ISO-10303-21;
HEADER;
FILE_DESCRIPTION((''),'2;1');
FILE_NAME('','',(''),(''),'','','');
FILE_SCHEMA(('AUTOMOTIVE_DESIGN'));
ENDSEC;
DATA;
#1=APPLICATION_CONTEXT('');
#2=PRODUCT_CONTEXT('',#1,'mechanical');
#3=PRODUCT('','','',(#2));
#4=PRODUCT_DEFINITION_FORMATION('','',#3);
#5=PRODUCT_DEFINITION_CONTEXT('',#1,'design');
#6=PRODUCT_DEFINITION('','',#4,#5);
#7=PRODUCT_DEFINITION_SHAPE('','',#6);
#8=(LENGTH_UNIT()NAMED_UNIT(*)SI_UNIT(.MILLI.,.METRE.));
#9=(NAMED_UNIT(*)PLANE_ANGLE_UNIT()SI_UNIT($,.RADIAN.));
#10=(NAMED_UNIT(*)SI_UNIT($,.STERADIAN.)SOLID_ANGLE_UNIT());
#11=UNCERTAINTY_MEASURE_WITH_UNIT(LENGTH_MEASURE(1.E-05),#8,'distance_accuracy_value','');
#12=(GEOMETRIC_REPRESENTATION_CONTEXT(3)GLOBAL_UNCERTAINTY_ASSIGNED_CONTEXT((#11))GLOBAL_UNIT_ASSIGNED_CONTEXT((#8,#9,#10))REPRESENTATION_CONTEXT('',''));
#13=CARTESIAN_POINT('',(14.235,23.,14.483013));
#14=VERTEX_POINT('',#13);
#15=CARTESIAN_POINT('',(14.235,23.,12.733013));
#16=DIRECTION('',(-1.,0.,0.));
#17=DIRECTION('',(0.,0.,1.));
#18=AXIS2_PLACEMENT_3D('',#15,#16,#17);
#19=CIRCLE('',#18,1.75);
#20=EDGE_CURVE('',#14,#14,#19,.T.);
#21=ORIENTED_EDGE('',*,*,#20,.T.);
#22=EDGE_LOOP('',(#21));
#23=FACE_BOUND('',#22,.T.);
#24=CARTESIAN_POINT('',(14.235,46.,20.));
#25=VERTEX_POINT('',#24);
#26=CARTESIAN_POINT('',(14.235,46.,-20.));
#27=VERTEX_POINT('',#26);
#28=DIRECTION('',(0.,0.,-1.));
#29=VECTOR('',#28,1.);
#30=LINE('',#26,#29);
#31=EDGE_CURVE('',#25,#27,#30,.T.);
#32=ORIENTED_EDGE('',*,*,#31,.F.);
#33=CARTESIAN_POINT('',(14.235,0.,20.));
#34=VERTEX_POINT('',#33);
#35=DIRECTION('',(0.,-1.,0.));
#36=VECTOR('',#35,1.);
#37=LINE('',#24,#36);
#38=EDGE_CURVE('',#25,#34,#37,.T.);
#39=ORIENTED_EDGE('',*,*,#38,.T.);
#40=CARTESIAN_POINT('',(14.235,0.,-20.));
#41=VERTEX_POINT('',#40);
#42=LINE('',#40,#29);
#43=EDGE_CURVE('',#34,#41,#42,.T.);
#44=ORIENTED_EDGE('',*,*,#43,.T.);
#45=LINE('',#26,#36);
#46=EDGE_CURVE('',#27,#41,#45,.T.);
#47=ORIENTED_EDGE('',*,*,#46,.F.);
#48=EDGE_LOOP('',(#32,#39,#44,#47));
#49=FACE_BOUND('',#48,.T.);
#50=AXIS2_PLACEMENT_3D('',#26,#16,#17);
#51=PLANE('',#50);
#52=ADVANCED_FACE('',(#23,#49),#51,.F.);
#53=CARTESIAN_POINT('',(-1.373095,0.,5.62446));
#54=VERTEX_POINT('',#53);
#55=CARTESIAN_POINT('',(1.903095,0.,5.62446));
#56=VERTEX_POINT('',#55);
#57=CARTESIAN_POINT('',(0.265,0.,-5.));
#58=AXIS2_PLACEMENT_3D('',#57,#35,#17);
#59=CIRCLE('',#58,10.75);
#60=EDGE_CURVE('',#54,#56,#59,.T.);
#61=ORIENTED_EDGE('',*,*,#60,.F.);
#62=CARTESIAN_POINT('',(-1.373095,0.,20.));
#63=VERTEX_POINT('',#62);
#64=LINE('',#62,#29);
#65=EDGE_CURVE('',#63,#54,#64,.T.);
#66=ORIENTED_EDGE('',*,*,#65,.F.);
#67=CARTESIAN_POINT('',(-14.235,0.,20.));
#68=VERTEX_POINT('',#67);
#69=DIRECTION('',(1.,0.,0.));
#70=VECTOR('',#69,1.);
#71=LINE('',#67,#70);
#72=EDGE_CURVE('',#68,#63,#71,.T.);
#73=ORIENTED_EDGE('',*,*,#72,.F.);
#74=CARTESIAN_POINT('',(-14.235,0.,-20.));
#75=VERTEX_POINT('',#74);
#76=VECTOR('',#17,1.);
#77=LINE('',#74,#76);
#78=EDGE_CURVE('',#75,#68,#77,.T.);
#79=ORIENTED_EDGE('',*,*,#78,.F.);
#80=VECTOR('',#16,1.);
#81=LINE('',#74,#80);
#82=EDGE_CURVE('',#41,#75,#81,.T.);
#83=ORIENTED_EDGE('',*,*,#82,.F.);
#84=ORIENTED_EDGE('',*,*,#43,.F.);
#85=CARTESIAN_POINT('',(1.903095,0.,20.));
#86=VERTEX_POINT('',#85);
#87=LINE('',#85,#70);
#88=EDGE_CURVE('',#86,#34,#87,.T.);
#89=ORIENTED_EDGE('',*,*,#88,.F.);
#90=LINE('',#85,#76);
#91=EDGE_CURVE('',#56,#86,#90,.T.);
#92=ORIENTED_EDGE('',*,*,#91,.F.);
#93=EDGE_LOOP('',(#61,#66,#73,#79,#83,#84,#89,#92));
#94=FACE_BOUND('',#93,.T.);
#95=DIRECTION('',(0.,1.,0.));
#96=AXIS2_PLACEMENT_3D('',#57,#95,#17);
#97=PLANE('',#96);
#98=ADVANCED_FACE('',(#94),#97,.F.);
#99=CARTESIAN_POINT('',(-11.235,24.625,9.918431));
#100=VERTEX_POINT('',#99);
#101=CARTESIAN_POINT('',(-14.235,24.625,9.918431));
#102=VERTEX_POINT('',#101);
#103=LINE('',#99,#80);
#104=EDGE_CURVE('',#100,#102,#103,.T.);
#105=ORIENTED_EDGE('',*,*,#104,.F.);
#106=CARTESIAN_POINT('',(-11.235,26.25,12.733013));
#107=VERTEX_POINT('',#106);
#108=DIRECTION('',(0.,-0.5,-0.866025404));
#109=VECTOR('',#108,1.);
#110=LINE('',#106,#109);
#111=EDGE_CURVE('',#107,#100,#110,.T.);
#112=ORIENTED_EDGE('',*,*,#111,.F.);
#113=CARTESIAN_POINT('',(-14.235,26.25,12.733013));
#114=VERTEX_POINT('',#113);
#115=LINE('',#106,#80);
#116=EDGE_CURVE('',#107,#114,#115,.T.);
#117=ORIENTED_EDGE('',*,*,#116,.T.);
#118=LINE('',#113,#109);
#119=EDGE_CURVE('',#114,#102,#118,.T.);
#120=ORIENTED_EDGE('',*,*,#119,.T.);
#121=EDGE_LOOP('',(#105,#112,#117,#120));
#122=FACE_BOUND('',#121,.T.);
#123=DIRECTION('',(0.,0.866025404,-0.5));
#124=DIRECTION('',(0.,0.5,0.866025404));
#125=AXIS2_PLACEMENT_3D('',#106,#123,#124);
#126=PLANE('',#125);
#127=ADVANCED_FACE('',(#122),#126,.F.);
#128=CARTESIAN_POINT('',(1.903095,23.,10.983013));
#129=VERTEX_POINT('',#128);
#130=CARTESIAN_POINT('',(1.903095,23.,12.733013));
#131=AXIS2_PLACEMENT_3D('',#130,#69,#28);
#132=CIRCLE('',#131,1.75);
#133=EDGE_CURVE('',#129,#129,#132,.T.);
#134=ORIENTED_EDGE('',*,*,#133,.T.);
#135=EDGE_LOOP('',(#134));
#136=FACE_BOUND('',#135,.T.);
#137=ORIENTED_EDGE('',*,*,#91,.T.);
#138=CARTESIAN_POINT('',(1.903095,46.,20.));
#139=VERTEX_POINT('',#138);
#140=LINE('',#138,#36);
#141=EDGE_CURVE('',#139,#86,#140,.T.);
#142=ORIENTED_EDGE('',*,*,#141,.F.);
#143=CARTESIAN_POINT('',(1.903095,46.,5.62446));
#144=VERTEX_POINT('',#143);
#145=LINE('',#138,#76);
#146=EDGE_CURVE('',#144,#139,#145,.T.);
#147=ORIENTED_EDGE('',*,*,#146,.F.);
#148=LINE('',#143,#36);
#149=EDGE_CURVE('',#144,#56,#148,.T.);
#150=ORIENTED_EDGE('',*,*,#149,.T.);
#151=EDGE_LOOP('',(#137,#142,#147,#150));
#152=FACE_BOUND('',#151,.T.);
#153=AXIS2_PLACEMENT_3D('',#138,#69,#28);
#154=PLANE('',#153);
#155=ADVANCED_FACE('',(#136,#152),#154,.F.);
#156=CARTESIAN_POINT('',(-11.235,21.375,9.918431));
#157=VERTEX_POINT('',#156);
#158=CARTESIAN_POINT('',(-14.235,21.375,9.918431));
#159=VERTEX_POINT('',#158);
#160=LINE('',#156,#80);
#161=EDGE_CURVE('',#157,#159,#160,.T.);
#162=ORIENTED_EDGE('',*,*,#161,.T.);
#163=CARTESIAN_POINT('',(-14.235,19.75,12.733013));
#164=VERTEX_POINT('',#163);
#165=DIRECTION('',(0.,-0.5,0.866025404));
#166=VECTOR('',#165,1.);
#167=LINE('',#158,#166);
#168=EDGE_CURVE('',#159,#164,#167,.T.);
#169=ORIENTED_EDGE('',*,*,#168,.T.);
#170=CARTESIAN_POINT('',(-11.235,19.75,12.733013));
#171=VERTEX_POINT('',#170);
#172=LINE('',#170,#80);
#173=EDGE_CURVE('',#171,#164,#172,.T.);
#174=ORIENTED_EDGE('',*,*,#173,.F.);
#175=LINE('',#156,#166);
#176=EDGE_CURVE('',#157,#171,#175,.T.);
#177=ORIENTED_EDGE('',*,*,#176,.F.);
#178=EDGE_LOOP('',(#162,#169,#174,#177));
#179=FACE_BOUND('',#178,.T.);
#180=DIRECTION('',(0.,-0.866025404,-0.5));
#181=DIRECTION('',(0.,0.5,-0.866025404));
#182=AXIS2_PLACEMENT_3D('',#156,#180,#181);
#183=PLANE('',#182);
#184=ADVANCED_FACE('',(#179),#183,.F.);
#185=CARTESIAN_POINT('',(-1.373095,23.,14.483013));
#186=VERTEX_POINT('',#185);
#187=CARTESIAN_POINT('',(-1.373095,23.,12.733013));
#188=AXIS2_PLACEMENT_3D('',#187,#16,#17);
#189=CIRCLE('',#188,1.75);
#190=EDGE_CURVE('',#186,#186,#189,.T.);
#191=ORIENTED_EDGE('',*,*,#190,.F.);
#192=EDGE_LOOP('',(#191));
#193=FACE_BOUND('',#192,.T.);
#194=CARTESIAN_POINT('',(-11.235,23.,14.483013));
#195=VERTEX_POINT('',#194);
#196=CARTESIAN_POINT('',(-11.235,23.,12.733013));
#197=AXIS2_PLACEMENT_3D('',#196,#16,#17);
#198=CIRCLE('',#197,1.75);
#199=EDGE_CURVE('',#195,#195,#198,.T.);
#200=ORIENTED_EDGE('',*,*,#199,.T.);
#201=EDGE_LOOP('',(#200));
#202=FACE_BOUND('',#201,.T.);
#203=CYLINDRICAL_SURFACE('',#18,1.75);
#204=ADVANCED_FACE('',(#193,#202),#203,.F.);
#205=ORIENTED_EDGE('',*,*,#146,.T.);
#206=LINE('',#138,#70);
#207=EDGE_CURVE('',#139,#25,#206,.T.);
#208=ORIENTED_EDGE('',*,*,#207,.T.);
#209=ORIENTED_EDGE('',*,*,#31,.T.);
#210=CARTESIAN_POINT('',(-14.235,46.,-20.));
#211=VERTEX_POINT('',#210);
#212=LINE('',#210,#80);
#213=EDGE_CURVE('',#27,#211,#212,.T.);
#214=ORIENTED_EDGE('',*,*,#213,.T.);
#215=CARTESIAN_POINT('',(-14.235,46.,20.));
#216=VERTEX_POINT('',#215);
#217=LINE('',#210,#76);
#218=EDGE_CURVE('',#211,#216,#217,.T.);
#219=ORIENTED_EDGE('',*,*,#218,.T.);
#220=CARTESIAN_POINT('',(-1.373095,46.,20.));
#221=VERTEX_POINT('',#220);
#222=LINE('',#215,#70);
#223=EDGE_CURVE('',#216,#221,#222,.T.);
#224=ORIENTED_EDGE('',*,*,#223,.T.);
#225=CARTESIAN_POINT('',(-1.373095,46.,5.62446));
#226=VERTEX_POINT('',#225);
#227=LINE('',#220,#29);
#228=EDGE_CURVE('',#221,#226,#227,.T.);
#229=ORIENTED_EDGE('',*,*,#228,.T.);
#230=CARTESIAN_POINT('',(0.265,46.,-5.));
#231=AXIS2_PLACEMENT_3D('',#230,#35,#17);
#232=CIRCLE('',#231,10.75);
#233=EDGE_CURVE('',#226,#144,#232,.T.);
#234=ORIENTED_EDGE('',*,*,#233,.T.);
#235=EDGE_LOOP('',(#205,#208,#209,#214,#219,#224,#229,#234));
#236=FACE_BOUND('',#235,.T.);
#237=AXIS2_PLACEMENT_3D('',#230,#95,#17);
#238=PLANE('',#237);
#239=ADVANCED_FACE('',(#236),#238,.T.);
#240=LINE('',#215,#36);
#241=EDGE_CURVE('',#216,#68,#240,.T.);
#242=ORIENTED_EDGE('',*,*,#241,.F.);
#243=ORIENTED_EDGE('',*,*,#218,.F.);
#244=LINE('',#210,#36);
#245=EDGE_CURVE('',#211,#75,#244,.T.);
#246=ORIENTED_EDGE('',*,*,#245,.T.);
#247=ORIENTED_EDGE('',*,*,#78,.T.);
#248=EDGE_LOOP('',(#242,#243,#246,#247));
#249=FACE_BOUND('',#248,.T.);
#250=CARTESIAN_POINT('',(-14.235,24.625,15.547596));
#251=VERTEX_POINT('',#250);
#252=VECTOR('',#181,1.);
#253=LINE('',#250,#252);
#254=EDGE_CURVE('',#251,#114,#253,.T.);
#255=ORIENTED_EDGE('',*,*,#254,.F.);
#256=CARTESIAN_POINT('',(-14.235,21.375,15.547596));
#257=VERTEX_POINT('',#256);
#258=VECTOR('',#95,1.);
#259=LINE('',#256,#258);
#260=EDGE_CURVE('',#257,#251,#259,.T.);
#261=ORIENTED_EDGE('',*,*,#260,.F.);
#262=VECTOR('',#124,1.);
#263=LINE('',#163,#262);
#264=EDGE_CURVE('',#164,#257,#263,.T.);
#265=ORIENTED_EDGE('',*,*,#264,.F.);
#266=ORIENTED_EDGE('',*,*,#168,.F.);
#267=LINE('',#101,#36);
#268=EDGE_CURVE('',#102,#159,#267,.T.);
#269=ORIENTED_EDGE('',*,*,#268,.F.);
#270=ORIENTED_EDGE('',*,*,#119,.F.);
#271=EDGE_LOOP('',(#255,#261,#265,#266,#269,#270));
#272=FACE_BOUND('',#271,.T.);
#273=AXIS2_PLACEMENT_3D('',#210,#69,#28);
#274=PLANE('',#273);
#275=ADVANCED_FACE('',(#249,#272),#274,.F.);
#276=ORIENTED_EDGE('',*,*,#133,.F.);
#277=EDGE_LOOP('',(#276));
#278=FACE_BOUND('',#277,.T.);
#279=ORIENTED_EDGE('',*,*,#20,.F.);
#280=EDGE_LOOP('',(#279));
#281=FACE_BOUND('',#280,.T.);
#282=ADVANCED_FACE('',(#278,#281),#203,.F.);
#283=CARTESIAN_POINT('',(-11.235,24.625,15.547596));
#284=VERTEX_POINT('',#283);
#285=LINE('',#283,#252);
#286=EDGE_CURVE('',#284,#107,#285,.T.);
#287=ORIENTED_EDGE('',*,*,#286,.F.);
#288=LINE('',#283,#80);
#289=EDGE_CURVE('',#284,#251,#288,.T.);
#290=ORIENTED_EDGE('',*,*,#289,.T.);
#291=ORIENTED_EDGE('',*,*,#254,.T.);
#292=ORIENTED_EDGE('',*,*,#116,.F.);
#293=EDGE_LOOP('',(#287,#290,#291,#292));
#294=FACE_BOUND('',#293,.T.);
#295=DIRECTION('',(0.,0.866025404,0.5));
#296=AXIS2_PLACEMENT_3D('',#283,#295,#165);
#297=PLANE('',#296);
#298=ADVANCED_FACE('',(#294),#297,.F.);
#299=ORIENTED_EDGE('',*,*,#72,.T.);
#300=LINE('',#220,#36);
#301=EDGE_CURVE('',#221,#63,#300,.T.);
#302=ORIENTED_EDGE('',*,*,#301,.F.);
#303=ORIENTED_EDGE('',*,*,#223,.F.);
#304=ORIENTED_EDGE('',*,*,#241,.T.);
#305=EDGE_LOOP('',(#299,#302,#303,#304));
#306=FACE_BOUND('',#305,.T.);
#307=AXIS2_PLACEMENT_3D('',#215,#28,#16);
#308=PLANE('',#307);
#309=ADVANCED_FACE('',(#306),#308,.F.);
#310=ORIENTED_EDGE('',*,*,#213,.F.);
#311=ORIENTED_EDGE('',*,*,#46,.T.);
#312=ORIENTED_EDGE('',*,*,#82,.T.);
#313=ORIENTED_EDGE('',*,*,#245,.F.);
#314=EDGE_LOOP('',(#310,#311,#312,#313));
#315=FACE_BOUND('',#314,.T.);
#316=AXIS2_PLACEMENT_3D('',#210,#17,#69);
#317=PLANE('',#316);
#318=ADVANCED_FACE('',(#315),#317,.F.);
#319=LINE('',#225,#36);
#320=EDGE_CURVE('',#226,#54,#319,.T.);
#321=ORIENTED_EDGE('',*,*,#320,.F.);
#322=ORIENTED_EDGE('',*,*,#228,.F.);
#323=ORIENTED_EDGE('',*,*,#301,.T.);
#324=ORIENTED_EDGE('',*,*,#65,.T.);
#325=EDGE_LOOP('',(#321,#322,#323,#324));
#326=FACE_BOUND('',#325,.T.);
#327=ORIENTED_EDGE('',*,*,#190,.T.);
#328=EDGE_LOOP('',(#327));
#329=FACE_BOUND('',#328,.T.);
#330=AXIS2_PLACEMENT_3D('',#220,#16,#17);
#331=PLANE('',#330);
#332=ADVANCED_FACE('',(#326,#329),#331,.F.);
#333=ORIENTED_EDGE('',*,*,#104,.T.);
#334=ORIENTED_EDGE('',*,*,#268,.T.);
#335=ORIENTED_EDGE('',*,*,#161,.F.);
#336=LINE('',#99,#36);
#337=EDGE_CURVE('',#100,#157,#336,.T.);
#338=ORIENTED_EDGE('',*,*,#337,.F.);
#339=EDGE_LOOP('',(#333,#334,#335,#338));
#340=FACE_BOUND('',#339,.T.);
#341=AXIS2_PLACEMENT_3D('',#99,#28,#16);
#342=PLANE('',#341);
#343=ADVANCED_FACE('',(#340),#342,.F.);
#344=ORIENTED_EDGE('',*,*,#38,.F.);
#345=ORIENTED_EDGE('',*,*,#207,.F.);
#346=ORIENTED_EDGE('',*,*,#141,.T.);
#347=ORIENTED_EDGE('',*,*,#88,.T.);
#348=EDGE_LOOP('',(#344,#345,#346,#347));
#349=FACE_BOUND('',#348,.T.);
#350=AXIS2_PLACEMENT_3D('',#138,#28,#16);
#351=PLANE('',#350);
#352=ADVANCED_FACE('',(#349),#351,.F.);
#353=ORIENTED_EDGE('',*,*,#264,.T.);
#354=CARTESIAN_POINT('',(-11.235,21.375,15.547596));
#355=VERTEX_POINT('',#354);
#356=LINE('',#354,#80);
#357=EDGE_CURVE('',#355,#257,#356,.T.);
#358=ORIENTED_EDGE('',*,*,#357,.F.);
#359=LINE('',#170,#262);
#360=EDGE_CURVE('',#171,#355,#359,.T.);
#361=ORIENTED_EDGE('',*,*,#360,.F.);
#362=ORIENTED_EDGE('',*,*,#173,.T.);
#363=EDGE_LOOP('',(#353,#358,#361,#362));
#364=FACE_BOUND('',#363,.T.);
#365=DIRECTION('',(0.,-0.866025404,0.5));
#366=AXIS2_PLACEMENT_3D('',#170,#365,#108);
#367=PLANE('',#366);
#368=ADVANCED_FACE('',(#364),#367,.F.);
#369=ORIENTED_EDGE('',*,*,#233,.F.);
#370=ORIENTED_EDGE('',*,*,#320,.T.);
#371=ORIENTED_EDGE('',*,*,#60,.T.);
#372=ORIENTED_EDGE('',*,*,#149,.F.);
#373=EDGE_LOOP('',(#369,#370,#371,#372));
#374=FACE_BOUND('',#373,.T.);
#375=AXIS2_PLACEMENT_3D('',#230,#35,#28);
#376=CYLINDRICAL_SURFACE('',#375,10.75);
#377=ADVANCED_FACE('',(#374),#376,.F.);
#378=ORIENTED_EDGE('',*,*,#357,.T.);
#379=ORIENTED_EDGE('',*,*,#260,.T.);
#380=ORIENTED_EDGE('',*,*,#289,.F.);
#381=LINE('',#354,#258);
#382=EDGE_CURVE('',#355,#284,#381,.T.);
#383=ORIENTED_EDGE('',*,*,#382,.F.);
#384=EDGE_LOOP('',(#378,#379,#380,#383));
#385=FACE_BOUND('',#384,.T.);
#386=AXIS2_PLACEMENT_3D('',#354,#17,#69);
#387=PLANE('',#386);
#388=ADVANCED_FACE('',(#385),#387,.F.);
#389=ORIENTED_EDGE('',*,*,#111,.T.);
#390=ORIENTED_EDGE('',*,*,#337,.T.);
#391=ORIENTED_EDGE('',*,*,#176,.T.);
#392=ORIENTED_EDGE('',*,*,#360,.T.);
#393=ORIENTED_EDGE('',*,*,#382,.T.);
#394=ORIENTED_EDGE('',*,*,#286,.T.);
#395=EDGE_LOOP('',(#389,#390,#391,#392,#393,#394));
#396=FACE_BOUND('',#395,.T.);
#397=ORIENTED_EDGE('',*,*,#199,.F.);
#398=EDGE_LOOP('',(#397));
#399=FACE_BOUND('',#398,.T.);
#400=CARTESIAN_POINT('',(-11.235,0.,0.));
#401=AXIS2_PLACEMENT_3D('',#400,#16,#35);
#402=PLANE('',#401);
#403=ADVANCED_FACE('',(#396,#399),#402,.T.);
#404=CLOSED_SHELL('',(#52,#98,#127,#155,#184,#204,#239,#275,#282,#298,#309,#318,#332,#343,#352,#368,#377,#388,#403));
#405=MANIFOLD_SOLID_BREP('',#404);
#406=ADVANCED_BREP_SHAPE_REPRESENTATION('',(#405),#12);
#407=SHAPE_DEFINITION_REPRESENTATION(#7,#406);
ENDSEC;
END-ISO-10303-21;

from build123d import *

# Parameters (mm, degrees)
EXTRUDE_1_DEPTH     = 46
CUT_EXTRUDE_1_DEPTH = 3
SKETCH_3_R          = 1.75
CUT_EXTRUDE_2_DEPTH = 26.47


with BuildPart() as part:
    # Эскиз1 → Бобышка-Вытянуть1 (new body)
    with BuildSketch(Plane(origin=(0, 0, 0), x_dir=(1, 0, 0), z_dir=(0, 1, 0))):
        with BuildLine():
            Line((-14.235, 20), (14.235, 20))
            Line((14.235, 20), (14.235, -20))
            Line((14.235, -20), (1.903095238, -20))
            Line((1.903095238, -20), (1.903095238, -5.624459703))
            ThreePointArc((1.903095238, -5.624459703), (0.265, 15.75), (-1.373095238, -5.624459703))
            Line((-1.373095238, -5.624459703), (-1.373095238, -20))
            Line((-1.373095238, -20), (-14.235, -20))
            Line((-14.235, -20), (-14.235, 20))
        make_face()
    extrude(amount=EXTRUDE_1_DEPTH)

    # Эскиз2 → Вырез-Вытянуть1 (cut)
    with BuildSketch(Plane.ZY.offset(14.235)):
        Polygon((12.733013434, 19.75), (15.547595996, 21.375), (15.547595996, 24.625), (12.733013434, 26.25), (9.918430872, 24.625), (9.918430872, 21.375), align=None)
    extrude(amount=-CUT_EXTRUDE_1_DEPTH, mode=Mode.SUBTRACT)

    # Эскиз3 → Вырез-Вытянуть2 (cut, through all)
    with BuildSketch(Plane.ZY.offset(11.235)):
        with Locations((12.733013434, 23)):
            Circle(SKETCH_3_R)
    extrude(amount=-CUT_EXTRUDE_2_DEPTH, mode=Mode.SUBTRACT)


solid = part.part
